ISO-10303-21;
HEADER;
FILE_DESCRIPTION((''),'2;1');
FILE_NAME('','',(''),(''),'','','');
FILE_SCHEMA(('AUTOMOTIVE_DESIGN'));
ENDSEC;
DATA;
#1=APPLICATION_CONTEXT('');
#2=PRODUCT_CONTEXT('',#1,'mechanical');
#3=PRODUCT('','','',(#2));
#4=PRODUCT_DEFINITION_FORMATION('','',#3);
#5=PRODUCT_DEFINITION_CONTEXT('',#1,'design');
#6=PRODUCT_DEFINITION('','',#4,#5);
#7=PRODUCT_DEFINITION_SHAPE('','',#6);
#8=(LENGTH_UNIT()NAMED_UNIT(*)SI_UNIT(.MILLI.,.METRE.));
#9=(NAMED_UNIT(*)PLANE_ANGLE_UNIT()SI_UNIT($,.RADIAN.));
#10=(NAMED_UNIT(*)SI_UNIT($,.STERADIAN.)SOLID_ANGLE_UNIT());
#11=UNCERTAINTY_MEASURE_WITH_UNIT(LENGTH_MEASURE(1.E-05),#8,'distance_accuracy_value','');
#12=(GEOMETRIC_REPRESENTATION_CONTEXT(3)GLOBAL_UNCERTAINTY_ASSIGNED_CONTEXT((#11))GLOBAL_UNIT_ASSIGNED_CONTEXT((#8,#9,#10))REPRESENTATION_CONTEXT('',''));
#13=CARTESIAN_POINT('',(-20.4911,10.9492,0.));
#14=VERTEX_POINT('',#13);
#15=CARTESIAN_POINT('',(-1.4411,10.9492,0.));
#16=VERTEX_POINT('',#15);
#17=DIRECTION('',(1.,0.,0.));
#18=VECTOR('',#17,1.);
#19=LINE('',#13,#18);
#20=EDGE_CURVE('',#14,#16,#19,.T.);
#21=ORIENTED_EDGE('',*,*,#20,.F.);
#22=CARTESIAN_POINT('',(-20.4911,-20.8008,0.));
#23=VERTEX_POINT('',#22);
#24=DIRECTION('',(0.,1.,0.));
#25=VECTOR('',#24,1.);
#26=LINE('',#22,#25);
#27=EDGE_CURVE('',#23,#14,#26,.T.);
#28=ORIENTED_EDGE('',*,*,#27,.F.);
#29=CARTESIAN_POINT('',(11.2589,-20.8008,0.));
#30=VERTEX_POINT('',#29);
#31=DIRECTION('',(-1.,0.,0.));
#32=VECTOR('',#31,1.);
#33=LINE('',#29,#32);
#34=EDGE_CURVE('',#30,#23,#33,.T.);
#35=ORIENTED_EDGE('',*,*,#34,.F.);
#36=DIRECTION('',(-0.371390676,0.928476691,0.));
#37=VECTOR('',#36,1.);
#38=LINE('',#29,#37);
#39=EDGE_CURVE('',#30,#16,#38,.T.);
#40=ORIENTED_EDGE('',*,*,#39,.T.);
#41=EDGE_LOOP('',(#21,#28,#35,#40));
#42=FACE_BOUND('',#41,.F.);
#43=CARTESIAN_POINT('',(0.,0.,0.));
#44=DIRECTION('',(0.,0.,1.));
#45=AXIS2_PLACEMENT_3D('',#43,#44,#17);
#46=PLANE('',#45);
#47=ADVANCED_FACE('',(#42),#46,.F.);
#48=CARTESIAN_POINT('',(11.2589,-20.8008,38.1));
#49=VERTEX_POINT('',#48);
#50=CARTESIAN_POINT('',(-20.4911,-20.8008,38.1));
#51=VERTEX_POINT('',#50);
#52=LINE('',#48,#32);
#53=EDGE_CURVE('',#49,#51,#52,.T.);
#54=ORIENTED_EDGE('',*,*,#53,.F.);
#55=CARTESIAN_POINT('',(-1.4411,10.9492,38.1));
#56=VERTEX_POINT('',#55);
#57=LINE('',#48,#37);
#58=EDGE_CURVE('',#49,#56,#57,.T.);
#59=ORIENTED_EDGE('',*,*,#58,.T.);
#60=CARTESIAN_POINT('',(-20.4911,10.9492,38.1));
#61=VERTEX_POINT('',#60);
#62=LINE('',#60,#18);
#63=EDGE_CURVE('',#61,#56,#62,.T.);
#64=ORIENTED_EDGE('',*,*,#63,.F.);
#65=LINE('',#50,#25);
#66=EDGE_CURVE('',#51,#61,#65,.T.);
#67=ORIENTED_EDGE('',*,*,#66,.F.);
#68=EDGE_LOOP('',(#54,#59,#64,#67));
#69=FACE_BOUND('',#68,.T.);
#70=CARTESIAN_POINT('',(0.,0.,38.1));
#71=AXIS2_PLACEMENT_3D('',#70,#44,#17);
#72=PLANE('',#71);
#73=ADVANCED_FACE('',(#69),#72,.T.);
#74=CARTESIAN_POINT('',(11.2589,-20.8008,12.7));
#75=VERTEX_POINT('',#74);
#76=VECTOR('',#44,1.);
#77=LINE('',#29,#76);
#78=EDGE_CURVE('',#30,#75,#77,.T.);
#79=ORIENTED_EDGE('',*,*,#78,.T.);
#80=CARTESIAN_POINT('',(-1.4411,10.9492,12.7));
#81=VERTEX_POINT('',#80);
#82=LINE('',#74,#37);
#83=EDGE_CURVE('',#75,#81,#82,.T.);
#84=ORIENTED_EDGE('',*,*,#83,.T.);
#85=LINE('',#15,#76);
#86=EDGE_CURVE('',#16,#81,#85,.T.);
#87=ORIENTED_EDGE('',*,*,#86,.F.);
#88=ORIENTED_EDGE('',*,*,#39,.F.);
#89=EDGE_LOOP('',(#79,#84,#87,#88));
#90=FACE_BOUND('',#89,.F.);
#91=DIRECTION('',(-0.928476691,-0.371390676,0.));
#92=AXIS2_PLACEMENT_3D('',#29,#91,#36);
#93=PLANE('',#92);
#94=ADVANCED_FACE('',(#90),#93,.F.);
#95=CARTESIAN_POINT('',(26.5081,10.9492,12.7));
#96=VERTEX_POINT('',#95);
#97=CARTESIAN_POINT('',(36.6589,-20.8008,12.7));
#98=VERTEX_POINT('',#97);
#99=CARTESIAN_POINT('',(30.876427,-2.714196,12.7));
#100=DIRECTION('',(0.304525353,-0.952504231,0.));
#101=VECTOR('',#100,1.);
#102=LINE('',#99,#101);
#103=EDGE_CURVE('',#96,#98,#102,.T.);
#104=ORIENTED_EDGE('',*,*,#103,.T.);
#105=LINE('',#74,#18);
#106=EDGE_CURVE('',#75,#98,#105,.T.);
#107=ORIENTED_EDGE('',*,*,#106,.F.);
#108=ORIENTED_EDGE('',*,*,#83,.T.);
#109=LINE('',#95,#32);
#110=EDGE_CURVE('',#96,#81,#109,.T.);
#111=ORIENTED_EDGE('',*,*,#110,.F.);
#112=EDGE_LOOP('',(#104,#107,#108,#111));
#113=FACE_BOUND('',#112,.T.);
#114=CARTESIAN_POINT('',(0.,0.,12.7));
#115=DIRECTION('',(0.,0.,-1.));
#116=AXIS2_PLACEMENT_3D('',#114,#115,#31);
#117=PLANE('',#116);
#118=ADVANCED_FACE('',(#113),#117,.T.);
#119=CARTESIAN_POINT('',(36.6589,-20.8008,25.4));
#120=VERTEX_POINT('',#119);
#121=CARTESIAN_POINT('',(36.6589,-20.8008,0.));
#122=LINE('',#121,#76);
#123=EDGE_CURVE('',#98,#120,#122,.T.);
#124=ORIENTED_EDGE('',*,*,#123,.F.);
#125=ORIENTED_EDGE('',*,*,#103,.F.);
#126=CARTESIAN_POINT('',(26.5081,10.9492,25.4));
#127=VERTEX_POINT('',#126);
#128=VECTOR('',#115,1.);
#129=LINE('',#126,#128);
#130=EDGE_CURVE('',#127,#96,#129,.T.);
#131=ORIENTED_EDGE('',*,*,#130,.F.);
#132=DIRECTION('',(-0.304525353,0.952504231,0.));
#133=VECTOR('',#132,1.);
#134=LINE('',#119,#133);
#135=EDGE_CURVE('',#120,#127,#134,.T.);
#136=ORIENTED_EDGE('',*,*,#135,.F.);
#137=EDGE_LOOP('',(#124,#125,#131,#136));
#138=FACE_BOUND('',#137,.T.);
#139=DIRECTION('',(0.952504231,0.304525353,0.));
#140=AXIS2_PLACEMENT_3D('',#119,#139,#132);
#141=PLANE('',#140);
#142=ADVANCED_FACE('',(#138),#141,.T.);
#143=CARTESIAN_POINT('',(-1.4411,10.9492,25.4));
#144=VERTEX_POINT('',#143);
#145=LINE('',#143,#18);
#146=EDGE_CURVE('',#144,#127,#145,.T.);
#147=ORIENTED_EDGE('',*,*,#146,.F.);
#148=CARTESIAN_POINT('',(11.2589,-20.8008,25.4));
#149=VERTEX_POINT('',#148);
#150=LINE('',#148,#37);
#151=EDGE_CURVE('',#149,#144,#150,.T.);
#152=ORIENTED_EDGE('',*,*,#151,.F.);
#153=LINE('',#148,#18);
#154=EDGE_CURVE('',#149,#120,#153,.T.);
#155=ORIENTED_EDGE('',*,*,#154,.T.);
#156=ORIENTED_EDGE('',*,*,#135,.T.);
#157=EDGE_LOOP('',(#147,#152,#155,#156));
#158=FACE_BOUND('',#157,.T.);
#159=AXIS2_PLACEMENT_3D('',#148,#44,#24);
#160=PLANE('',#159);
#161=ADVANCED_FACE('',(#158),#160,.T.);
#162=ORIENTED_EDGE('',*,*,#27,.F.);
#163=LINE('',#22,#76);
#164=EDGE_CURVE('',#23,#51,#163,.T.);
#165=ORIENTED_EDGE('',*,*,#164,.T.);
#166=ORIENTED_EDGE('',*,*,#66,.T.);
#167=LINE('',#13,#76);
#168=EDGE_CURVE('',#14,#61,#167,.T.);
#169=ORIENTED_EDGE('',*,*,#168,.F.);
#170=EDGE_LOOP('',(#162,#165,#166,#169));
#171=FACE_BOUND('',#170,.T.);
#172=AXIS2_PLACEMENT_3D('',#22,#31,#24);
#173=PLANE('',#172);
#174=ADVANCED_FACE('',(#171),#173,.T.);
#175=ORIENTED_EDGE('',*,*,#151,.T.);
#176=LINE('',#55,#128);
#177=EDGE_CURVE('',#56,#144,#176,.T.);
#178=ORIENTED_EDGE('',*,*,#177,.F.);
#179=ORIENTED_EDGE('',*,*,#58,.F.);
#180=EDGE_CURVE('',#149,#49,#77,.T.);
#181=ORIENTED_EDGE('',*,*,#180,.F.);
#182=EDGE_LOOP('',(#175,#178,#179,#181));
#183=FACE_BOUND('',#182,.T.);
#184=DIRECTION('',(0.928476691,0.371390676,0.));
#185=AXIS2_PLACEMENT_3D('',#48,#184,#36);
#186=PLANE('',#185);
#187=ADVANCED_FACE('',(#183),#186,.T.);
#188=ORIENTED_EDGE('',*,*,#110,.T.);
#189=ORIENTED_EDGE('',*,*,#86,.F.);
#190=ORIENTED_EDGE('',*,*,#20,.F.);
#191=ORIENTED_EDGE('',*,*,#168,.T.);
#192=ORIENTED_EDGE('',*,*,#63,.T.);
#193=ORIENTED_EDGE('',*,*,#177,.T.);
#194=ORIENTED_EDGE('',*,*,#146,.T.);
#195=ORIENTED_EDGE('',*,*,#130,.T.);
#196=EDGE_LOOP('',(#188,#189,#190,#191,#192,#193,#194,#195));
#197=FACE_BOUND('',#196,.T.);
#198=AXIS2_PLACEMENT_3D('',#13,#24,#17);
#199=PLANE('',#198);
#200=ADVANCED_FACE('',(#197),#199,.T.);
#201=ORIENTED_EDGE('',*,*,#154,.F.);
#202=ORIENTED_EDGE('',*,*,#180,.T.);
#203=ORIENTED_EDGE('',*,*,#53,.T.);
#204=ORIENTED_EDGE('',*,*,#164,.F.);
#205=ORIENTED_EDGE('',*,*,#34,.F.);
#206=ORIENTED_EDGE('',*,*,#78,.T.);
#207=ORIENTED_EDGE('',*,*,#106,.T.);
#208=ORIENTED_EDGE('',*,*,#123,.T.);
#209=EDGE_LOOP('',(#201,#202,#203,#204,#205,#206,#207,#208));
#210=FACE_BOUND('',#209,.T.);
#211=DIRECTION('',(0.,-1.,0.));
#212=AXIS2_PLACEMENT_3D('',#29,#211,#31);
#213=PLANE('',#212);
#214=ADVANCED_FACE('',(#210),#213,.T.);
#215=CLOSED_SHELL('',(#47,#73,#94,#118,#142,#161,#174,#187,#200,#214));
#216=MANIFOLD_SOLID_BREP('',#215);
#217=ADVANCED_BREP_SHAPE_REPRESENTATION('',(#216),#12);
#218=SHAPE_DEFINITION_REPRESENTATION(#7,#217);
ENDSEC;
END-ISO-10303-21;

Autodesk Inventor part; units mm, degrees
ref_plane "YZ Plane" through (0, 0, 0) normal (1, 0, 0) x (0, 1, 0)
ref_plane "XZ Plane" through (0, 0, 0) normal (0, 1, 0) x (-1, 0, 0)
ref_plane "XY Plane" through (0, 0, 0) normal (0, 0, 1) x (1, 0, 0)
sketch "Sketch1" plane through (0, 0, 0) normal (0, 0, 1) x (1, 0, 0)
  line L0 (-20.4911, 10.9492) -> (11.2589, 10.9492)
  line L1 (11.2589, 10.9492) -> (11.2589, -20.8008)
  line L2 (11.2589, -20.8008) -> (-20.4911, -20.8008)
  line L3 (-20.4911, -20.8008) -> (-20.4911, 10.9492)
  point P0 (0, 0)
  dimension "d0" = 31.75
  dimension "d1" = 31.75
extrude "Extrusion1" add sketch "Sketch1" along normal blind 38.1
sketch "Sketch2" plane through (0, 0, 38.1) normal (0, 0, 1) x (1, 0, 0)
  line L0 (-20.4911, -20.8008) -> (11.2589, -20.8008) projected
  line L1 (11.2589, -20.8008) -> (-1.4411, 10.9492)
  line L2 (11.2589, 10.9492) -> (-20.4911, 10.9492) projected
  line L3 (-1.4411, 10.9492) -> (11.2589, 10.9492)
  line L4 (11.2589, -20.8008) -> (11.2589, 10.9492) projected
  line L5 (11.2589, 10.9492) -> (11.2589, -20.8008)
  point P0 (0, 0)
  dimension "d4" = 19.05
sketch "Sketch3" plane through (11.2589, -20.8008, 0) normal (1, 0, 0) x (0, 0, -1)
  line L0 (0, 31.75) -> (-38.1, 31.75) projected
  line L1 (0, 0) -> (-38.1, 0) projected
  line L2 (-25.4, 31.75) -> (-12.7, 31.75)
  line L3 (-12.7, 31.75) -> (-12.7, 0)
  line L4 (-12.7, 0) -> (-25.4, 0)
  line L5 (-25.4, 0) -> (-25.4, 31.75)
  line L6 (0, 31.75) -> (0, 0) projected
  line L7 (-38.1, 0) -> (-38.1, 31.75) projected
  point P0 (0, 20.8008)
  dimension "d5" = 12.7
  dimension "d6" = 12.7
extrude "Extrusion2" add sketch "Sketch3" along normal blind 25.4 contours L3 L1 L5 L0
sketch "Sketch4" plane through (11.2589, -20.8008, 25.4) normal (0, 0, 1) x (1, 0, 0)
  line L0 (0, 0) -> (25.4, 0) projected
  line L1 (25.4, 0) -> (15.2492, 31.75)
  line L2 (0, 31.75) -> (25.4, 31.75) projected
  line L3 (15.2492, 31.75) -> (25.4, 31.75)
  line L4 (25.4, 31.75) -> (25.4, 0) projected
  line L5 (25.4, 31.75) -> (25.4, 0)
  point P0 (-11.2589, 20.8008)
extrude "Extrusion3" cut sketch "Sketch4" against normal blind 25.4
extrude "Extrusion4" cut sketch "Sketch2" against normal blind 12.7
sketch "Sketch5" plane through (0, 0, 0) normal (0, 0, -1) x (-1, 0, 0)
  line L0 (-11.2589, 10.9492) -> (-11.2589, -20.8008) projected
  line L1 (-11.2589, -20.8008) -> (1.4411, 10.9492) projected
  line L2 (-11.2589, -20.8008) -> (1.4411, 10.9492)
  line L3 (20.4911, 10.9492) -> (-11.2589, 10.9492) projected
  line L4 (1.4411, 10.9492) -> (-11.2589, 10.9492)
  line L5 (-11.2589, 10.9492) -> (-11.2589, -20.8008)
  point P0 (0, 0)
extrude "Extrusion5" cut sketch "Sketch5" against normal blind 12.7
properties part number "Figure 7_28_1"
